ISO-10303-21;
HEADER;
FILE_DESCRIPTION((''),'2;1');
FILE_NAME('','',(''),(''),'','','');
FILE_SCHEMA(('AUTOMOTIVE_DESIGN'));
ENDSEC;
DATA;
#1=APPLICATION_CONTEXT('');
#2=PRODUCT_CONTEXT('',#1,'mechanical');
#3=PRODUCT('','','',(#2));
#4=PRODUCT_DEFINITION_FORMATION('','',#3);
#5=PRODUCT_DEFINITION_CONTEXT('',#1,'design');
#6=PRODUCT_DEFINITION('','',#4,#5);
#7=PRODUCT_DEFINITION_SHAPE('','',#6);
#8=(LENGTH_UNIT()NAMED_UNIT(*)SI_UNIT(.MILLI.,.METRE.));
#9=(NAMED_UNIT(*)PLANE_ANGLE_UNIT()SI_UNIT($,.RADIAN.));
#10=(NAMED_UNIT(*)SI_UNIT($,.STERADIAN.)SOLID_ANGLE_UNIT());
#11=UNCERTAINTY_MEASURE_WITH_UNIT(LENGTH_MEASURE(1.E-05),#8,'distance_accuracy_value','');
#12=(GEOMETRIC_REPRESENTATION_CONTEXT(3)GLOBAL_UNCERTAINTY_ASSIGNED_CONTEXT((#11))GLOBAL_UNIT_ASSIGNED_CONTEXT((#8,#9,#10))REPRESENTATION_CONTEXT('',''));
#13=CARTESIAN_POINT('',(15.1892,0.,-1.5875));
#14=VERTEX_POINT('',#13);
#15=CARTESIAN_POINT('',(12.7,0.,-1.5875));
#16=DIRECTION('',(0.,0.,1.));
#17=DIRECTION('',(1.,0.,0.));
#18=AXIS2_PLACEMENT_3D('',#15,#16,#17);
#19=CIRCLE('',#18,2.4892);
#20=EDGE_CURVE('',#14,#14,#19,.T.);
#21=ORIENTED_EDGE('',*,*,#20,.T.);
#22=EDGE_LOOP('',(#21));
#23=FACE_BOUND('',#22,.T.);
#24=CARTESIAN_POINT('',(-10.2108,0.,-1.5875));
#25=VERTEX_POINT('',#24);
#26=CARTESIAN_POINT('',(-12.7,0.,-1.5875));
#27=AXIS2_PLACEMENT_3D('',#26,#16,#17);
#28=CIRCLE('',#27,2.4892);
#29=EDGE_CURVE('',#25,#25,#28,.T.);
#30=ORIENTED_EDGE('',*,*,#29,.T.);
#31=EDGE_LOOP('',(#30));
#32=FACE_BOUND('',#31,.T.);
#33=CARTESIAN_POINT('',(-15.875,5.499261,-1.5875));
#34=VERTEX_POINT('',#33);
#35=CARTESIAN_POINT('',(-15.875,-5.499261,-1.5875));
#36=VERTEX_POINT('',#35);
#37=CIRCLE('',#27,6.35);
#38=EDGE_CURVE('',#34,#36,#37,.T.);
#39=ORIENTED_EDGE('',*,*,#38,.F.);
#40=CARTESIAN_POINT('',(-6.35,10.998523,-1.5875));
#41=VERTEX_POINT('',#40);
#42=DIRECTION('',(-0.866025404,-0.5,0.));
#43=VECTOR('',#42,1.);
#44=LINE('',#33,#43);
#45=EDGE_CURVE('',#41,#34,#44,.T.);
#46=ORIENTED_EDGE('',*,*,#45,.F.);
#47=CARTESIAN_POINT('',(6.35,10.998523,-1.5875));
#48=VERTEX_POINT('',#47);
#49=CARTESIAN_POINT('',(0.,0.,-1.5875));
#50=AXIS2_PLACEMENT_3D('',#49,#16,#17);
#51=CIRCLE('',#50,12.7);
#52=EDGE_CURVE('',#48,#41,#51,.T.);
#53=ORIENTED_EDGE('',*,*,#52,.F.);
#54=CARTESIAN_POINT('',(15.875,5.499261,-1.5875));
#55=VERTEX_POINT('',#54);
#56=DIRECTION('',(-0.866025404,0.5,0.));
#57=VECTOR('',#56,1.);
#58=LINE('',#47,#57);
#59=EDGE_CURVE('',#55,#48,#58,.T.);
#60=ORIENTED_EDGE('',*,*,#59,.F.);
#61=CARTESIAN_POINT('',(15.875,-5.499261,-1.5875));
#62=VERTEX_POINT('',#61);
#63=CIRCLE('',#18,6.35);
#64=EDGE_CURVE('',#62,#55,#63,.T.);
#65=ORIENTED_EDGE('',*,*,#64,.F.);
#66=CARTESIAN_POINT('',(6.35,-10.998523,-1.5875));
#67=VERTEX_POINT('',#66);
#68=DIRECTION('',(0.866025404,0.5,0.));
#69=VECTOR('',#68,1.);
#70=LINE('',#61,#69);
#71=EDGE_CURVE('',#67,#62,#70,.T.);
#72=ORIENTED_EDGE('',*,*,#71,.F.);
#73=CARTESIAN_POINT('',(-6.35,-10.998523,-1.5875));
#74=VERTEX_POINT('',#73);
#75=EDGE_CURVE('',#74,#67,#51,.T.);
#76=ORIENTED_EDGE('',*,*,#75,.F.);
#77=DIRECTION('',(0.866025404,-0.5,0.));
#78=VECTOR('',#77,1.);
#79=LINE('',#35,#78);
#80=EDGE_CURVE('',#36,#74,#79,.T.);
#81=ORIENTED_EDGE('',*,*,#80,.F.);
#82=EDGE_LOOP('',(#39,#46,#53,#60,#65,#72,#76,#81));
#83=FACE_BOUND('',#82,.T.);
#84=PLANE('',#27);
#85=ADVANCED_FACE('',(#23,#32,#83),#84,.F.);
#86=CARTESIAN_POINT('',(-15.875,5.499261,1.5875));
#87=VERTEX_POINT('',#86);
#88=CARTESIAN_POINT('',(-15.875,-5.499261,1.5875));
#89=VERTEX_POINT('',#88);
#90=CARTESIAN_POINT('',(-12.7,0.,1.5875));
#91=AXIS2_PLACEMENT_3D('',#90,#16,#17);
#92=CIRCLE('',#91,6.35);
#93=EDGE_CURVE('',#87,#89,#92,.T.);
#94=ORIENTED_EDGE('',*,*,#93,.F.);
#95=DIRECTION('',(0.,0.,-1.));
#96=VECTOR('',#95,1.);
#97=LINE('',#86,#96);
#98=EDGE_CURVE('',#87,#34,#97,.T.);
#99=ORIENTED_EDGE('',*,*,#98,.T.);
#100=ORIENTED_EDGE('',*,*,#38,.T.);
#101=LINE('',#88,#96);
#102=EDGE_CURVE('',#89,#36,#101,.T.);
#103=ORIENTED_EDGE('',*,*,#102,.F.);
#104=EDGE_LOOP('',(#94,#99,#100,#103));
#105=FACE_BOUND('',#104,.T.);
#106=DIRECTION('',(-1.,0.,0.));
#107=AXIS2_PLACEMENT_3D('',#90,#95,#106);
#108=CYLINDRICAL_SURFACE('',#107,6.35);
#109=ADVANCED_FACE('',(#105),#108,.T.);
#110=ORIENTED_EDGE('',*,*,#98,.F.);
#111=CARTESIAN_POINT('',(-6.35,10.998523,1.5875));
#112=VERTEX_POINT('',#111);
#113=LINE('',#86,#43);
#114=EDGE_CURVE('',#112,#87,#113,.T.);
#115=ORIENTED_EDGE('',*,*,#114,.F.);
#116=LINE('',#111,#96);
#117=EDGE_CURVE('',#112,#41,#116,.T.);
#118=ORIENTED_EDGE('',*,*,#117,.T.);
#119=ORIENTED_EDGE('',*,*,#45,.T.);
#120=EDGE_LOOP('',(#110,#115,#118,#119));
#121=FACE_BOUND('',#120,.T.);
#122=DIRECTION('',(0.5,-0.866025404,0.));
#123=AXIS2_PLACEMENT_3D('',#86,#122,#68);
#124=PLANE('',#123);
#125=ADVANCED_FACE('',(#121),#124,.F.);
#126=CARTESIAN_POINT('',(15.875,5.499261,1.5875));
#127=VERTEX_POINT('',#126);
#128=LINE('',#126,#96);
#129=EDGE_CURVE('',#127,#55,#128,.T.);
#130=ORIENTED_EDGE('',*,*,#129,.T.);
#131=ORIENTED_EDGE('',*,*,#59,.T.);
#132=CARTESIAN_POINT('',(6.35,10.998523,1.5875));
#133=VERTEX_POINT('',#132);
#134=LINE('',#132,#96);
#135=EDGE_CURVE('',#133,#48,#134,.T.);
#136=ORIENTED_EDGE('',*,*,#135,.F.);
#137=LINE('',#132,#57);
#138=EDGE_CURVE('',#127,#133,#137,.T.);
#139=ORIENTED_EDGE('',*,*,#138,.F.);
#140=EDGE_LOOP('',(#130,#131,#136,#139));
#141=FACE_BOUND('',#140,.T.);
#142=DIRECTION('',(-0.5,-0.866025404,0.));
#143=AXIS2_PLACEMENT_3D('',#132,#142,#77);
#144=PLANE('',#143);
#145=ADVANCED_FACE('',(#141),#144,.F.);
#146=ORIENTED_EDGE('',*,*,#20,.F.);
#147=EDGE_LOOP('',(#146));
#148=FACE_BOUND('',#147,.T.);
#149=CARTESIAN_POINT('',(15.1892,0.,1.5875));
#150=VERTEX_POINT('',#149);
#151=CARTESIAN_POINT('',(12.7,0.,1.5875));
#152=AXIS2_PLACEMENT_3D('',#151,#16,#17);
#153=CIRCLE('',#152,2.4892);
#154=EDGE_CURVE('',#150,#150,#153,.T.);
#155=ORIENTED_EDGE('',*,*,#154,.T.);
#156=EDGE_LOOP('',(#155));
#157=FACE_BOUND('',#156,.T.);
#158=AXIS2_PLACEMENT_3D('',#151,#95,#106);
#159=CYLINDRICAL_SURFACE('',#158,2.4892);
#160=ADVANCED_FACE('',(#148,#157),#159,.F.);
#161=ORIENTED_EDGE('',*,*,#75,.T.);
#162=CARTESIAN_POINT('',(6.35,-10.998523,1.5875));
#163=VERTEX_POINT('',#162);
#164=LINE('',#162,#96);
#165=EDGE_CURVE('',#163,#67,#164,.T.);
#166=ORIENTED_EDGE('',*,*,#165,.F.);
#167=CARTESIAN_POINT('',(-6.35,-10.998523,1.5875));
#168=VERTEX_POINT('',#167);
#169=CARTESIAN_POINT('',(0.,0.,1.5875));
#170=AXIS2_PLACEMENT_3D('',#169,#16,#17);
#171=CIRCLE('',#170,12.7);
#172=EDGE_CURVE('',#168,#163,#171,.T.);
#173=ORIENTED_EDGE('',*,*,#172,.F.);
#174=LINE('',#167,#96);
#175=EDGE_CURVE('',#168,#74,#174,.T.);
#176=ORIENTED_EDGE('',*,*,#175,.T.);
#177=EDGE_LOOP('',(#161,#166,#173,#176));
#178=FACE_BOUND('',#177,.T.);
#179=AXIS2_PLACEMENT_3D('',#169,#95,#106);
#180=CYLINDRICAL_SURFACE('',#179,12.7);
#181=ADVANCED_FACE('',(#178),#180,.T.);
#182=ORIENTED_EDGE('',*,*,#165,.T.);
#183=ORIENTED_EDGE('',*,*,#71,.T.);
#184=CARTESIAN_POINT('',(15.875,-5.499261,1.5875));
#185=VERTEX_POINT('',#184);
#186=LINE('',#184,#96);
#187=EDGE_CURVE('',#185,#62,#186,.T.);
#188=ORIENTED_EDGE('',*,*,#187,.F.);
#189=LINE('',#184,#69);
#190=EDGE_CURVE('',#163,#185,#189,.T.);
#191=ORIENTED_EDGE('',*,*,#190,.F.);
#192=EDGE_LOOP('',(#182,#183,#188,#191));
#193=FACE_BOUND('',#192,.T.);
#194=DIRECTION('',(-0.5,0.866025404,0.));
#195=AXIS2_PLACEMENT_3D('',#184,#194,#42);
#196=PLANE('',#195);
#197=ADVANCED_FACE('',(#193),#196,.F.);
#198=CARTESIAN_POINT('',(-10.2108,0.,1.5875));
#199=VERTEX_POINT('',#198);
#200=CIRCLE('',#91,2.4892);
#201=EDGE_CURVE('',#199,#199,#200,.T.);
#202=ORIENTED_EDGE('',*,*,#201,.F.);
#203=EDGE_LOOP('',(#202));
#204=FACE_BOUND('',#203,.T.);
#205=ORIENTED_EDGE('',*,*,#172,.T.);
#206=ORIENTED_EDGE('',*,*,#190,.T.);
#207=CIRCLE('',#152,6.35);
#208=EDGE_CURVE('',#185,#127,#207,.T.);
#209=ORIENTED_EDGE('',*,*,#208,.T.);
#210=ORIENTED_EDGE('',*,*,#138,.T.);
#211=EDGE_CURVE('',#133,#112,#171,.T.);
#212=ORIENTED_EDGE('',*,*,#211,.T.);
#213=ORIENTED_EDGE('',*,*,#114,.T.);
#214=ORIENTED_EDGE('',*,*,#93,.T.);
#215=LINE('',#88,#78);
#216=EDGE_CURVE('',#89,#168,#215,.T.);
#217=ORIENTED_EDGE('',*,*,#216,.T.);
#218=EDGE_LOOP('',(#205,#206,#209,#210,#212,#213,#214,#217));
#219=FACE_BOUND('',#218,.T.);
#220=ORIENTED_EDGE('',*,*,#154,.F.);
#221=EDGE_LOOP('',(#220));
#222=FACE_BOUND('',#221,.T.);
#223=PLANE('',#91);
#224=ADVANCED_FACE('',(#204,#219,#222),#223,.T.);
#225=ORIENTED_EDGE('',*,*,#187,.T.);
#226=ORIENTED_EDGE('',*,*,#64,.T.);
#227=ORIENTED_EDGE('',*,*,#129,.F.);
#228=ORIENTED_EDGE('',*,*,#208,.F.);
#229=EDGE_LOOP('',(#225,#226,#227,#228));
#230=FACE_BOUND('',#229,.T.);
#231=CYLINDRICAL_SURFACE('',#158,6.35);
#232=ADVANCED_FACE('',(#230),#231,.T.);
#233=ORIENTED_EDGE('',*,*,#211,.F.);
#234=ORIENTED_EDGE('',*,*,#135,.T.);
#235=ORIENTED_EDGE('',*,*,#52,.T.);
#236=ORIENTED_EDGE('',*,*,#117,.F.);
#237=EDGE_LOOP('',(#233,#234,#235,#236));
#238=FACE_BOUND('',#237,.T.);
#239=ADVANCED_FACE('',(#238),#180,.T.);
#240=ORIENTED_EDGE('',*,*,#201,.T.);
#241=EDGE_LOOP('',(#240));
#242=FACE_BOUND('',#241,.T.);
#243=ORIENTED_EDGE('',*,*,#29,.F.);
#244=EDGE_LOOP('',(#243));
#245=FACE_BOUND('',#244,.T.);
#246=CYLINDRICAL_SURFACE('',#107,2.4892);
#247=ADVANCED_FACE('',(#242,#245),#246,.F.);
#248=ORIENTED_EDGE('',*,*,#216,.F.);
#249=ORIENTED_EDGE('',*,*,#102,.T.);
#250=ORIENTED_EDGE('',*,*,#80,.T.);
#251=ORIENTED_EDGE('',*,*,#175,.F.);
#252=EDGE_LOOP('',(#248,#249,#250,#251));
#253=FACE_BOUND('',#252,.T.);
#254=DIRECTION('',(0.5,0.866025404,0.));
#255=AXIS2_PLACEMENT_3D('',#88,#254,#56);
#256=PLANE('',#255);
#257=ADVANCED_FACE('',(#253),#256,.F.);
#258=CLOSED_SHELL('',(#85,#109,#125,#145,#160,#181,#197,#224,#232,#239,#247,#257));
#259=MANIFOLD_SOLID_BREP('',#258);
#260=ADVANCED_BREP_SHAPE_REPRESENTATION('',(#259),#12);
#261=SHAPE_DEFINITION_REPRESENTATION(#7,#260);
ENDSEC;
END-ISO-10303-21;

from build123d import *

# Parameters (mm, degrees)
SKETCH1_R           = 2.4892
BOSS_EXTRUDE1_DEPTH = 1.5875


with BuildPart() as part:
    # Sketch1 → Boss-Extrude1 (new, symmetric)
    with BuildSketch(Plane.XY):
        with BuildLine():
            Line((-15.875, 5.499261314), (-6.35, 10.998522628))
            ThreePointArc((-6.35, 10.998522628), (0, 12.7), (6.35, 10.998522628))
            Line((6.35, 10.998522628), (15.875, 5.499261314))
            ThreePointArc((15.875, 5.499261314), (19.05, 0), (15.875, -5.499261314))
            Line((15.875, -5.499261314), (6.35, -10.998522628))
            ThreePointArc((6.35, -10.998522628), (0, -12.7), (-6.35, -10.998522628))
            Line((-6.35, -10.998522628), (-15.875, -5.499261314))
            ThreePointArc((-15.875, -5.499261314), (-19.05, 0), (-15.875, 5.499261314))
        make_face()
        with Locations((-12.7, 0)):
            Circle(SKETCH1_R, mode=Mode.SUBTRACT)
        with Locations((12.7, 0)):
            Circle(SKETCH1_R, mode=Mode.SUBTRACT)
    extrude(amount=BOSS_EXTRUDE1_DEPTH, both=True)


solid = part.part
